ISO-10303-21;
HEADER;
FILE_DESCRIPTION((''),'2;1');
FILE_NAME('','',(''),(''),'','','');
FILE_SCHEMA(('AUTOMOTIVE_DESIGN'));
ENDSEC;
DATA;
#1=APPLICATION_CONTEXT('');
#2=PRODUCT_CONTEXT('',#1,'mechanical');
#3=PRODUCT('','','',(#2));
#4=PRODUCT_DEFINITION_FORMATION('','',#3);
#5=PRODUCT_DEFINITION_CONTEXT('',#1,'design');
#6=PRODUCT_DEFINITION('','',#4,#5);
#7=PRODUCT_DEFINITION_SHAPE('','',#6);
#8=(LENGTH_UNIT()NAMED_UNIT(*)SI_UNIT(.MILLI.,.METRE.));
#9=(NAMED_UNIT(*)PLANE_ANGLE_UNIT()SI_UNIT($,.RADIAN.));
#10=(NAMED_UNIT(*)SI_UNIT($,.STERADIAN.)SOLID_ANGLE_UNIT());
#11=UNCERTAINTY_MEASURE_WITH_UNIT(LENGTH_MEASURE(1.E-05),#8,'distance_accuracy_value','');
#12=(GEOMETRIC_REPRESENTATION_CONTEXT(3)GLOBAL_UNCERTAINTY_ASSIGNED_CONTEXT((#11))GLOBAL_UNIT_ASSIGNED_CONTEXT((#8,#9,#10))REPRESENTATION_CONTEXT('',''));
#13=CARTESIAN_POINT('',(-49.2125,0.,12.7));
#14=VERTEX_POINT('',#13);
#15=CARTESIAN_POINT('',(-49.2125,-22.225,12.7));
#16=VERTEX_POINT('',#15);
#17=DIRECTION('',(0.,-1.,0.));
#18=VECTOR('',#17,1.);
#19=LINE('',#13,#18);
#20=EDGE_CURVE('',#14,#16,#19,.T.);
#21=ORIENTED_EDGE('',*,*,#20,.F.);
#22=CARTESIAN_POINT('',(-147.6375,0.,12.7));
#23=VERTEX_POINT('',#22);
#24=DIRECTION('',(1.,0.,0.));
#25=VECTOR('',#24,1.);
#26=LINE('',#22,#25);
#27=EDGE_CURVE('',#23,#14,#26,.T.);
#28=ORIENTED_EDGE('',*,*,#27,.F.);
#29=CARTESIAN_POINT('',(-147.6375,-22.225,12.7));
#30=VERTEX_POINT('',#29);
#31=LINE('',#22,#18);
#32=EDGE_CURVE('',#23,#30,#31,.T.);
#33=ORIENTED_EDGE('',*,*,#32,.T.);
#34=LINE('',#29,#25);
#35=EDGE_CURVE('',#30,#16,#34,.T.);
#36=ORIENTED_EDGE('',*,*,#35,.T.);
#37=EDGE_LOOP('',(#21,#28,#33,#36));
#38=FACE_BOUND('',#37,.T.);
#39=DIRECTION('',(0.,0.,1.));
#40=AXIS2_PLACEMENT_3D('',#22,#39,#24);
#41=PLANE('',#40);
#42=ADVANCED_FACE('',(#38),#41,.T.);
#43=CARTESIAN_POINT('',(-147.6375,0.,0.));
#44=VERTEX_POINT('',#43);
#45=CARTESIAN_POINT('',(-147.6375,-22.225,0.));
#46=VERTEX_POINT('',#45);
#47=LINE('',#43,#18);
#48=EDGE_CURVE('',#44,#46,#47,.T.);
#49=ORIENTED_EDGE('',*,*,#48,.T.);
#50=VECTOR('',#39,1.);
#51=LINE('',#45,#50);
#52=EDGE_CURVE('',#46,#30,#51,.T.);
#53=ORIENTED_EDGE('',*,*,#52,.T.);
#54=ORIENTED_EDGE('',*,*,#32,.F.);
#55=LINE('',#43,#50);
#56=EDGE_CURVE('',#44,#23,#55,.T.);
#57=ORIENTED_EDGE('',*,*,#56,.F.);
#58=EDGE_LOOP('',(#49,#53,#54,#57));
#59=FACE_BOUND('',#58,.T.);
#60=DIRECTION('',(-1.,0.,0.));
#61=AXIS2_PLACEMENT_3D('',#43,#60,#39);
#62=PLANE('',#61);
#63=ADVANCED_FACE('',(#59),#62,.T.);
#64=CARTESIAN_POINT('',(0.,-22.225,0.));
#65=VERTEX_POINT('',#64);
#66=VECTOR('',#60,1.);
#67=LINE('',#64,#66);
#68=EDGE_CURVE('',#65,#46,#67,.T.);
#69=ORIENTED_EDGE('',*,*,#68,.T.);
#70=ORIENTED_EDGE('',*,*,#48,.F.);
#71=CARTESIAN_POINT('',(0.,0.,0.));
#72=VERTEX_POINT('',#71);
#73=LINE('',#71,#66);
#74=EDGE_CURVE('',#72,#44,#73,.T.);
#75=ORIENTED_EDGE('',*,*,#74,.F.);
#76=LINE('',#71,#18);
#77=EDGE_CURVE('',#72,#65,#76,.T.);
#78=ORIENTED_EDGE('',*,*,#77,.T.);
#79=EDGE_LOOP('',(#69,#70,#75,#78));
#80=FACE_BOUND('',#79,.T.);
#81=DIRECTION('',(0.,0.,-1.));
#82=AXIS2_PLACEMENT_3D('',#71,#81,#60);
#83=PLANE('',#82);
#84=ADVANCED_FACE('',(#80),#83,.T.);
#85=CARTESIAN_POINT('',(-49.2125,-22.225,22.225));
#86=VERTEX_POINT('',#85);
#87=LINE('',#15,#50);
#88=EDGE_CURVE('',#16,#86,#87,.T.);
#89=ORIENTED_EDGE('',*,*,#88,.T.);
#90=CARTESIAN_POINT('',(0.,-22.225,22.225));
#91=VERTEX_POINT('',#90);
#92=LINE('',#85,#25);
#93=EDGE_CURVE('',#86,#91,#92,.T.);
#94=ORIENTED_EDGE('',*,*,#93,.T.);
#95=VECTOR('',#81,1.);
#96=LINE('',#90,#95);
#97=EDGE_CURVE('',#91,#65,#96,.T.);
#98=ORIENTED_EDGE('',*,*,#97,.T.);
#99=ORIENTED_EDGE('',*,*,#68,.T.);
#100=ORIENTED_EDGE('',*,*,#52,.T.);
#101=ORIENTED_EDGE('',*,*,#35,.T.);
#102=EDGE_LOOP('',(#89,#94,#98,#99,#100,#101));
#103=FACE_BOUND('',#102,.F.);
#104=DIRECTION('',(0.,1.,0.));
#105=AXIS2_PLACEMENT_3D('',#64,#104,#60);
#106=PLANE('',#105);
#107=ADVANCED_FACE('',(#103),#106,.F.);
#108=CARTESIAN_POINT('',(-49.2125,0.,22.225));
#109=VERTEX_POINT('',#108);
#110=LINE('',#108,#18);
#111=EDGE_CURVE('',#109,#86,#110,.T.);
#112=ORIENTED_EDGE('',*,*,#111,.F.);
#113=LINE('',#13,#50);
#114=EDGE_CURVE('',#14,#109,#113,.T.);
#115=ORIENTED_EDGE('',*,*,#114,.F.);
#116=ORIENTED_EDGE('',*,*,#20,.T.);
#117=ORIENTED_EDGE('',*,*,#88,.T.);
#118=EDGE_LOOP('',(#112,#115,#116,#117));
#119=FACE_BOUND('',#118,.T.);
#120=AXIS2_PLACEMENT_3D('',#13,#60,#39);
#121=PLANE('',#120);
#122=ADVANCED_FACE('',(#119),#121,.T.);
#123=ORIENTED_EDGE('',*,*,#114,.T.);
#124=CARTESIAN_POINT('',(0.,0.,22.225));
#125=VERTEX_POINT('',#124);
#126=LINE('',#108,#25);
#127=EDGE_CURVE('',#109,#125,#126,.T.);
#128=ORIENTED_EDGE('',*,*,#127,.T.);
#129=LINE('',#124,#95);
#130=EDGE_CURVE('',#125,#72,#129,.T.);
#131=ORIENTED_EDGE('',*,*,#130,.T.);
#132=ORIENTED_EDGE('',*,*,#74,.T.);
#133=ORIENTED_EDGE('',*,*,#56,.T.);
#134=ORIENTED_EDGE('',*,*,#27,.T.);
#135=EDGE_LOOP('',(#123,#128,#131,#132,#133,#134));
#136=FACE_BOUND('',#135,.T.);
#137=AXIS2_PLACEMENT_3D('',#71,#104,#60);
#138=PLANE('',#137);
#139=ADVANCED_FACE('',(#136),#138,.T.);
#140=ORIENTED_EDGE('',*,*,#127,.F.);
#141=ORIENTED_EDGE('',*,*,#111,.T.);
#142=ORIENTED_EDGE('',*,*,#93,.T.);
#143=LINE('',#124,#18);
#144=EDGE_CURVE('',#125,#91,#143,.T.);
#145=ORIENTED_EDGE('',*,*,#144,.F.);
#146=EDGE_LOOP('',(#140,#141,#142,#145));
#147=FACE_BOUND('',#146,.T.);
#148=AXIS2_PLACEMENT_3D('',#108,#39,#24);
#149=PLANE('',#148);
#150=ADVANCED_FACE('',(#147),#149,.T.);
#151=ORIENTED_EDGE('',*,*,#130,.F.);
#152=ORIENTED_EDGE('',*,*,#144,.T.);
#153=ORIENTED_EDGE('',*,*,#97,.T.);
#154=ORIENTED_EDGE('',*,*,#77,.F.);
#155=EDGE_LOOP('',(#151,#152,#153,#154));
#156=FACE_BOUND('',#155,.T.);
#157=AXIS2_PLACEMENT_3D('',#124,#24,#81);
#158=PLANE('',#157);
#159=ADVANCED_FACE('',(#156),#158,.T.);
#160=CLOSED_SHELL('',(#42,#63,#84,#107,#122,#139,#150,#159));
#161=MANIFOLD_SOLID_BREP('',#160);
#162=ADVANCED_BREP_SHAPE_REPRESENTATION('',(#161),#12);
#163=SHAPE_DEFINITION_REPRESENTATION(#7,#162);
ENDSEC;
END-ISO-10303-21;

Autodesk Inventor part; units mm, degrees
ref_plane "YZ Plane" through (0, 0, 0) normal (1, 0, 0) x (0, 1, 0)
ref_plane "XZ Plane" through (0, 0, 0) normal (0, 1, 0) x (-1, 0, 0)
ref_plane "XY Plane" through (0, 0, 0) normal (0, 0, 1) x (1, 0, 0)
sketch "Sketch1" plane through (0, 0, 0) normal (0, 1, 0) x (-1, 0, 0)
  line L0 (0, 0) -> (147.6375, 0)
  line L1 (147.6375, 0) -> (147.6375, 12.7)
  line L2 (147.6375, 12.7) -> (49.2125, 12.7)
  line L3 (49.2125, 12.7) -> (49.2125, 22.225)
  line L4 (49.2125, 22.225) -> (0, 22.225)
  line L5 (0, 22.225) -> (0, 0)
  dimension "d0" = 147.6375
  dimension "d1" = 98.425
  dimension "d2" = 22.225
  dimension "d3" = 12.7
extrude "Extrusion1" add sketch "Sketch1" against normal blind 22.225
properties part number "Key--E"
